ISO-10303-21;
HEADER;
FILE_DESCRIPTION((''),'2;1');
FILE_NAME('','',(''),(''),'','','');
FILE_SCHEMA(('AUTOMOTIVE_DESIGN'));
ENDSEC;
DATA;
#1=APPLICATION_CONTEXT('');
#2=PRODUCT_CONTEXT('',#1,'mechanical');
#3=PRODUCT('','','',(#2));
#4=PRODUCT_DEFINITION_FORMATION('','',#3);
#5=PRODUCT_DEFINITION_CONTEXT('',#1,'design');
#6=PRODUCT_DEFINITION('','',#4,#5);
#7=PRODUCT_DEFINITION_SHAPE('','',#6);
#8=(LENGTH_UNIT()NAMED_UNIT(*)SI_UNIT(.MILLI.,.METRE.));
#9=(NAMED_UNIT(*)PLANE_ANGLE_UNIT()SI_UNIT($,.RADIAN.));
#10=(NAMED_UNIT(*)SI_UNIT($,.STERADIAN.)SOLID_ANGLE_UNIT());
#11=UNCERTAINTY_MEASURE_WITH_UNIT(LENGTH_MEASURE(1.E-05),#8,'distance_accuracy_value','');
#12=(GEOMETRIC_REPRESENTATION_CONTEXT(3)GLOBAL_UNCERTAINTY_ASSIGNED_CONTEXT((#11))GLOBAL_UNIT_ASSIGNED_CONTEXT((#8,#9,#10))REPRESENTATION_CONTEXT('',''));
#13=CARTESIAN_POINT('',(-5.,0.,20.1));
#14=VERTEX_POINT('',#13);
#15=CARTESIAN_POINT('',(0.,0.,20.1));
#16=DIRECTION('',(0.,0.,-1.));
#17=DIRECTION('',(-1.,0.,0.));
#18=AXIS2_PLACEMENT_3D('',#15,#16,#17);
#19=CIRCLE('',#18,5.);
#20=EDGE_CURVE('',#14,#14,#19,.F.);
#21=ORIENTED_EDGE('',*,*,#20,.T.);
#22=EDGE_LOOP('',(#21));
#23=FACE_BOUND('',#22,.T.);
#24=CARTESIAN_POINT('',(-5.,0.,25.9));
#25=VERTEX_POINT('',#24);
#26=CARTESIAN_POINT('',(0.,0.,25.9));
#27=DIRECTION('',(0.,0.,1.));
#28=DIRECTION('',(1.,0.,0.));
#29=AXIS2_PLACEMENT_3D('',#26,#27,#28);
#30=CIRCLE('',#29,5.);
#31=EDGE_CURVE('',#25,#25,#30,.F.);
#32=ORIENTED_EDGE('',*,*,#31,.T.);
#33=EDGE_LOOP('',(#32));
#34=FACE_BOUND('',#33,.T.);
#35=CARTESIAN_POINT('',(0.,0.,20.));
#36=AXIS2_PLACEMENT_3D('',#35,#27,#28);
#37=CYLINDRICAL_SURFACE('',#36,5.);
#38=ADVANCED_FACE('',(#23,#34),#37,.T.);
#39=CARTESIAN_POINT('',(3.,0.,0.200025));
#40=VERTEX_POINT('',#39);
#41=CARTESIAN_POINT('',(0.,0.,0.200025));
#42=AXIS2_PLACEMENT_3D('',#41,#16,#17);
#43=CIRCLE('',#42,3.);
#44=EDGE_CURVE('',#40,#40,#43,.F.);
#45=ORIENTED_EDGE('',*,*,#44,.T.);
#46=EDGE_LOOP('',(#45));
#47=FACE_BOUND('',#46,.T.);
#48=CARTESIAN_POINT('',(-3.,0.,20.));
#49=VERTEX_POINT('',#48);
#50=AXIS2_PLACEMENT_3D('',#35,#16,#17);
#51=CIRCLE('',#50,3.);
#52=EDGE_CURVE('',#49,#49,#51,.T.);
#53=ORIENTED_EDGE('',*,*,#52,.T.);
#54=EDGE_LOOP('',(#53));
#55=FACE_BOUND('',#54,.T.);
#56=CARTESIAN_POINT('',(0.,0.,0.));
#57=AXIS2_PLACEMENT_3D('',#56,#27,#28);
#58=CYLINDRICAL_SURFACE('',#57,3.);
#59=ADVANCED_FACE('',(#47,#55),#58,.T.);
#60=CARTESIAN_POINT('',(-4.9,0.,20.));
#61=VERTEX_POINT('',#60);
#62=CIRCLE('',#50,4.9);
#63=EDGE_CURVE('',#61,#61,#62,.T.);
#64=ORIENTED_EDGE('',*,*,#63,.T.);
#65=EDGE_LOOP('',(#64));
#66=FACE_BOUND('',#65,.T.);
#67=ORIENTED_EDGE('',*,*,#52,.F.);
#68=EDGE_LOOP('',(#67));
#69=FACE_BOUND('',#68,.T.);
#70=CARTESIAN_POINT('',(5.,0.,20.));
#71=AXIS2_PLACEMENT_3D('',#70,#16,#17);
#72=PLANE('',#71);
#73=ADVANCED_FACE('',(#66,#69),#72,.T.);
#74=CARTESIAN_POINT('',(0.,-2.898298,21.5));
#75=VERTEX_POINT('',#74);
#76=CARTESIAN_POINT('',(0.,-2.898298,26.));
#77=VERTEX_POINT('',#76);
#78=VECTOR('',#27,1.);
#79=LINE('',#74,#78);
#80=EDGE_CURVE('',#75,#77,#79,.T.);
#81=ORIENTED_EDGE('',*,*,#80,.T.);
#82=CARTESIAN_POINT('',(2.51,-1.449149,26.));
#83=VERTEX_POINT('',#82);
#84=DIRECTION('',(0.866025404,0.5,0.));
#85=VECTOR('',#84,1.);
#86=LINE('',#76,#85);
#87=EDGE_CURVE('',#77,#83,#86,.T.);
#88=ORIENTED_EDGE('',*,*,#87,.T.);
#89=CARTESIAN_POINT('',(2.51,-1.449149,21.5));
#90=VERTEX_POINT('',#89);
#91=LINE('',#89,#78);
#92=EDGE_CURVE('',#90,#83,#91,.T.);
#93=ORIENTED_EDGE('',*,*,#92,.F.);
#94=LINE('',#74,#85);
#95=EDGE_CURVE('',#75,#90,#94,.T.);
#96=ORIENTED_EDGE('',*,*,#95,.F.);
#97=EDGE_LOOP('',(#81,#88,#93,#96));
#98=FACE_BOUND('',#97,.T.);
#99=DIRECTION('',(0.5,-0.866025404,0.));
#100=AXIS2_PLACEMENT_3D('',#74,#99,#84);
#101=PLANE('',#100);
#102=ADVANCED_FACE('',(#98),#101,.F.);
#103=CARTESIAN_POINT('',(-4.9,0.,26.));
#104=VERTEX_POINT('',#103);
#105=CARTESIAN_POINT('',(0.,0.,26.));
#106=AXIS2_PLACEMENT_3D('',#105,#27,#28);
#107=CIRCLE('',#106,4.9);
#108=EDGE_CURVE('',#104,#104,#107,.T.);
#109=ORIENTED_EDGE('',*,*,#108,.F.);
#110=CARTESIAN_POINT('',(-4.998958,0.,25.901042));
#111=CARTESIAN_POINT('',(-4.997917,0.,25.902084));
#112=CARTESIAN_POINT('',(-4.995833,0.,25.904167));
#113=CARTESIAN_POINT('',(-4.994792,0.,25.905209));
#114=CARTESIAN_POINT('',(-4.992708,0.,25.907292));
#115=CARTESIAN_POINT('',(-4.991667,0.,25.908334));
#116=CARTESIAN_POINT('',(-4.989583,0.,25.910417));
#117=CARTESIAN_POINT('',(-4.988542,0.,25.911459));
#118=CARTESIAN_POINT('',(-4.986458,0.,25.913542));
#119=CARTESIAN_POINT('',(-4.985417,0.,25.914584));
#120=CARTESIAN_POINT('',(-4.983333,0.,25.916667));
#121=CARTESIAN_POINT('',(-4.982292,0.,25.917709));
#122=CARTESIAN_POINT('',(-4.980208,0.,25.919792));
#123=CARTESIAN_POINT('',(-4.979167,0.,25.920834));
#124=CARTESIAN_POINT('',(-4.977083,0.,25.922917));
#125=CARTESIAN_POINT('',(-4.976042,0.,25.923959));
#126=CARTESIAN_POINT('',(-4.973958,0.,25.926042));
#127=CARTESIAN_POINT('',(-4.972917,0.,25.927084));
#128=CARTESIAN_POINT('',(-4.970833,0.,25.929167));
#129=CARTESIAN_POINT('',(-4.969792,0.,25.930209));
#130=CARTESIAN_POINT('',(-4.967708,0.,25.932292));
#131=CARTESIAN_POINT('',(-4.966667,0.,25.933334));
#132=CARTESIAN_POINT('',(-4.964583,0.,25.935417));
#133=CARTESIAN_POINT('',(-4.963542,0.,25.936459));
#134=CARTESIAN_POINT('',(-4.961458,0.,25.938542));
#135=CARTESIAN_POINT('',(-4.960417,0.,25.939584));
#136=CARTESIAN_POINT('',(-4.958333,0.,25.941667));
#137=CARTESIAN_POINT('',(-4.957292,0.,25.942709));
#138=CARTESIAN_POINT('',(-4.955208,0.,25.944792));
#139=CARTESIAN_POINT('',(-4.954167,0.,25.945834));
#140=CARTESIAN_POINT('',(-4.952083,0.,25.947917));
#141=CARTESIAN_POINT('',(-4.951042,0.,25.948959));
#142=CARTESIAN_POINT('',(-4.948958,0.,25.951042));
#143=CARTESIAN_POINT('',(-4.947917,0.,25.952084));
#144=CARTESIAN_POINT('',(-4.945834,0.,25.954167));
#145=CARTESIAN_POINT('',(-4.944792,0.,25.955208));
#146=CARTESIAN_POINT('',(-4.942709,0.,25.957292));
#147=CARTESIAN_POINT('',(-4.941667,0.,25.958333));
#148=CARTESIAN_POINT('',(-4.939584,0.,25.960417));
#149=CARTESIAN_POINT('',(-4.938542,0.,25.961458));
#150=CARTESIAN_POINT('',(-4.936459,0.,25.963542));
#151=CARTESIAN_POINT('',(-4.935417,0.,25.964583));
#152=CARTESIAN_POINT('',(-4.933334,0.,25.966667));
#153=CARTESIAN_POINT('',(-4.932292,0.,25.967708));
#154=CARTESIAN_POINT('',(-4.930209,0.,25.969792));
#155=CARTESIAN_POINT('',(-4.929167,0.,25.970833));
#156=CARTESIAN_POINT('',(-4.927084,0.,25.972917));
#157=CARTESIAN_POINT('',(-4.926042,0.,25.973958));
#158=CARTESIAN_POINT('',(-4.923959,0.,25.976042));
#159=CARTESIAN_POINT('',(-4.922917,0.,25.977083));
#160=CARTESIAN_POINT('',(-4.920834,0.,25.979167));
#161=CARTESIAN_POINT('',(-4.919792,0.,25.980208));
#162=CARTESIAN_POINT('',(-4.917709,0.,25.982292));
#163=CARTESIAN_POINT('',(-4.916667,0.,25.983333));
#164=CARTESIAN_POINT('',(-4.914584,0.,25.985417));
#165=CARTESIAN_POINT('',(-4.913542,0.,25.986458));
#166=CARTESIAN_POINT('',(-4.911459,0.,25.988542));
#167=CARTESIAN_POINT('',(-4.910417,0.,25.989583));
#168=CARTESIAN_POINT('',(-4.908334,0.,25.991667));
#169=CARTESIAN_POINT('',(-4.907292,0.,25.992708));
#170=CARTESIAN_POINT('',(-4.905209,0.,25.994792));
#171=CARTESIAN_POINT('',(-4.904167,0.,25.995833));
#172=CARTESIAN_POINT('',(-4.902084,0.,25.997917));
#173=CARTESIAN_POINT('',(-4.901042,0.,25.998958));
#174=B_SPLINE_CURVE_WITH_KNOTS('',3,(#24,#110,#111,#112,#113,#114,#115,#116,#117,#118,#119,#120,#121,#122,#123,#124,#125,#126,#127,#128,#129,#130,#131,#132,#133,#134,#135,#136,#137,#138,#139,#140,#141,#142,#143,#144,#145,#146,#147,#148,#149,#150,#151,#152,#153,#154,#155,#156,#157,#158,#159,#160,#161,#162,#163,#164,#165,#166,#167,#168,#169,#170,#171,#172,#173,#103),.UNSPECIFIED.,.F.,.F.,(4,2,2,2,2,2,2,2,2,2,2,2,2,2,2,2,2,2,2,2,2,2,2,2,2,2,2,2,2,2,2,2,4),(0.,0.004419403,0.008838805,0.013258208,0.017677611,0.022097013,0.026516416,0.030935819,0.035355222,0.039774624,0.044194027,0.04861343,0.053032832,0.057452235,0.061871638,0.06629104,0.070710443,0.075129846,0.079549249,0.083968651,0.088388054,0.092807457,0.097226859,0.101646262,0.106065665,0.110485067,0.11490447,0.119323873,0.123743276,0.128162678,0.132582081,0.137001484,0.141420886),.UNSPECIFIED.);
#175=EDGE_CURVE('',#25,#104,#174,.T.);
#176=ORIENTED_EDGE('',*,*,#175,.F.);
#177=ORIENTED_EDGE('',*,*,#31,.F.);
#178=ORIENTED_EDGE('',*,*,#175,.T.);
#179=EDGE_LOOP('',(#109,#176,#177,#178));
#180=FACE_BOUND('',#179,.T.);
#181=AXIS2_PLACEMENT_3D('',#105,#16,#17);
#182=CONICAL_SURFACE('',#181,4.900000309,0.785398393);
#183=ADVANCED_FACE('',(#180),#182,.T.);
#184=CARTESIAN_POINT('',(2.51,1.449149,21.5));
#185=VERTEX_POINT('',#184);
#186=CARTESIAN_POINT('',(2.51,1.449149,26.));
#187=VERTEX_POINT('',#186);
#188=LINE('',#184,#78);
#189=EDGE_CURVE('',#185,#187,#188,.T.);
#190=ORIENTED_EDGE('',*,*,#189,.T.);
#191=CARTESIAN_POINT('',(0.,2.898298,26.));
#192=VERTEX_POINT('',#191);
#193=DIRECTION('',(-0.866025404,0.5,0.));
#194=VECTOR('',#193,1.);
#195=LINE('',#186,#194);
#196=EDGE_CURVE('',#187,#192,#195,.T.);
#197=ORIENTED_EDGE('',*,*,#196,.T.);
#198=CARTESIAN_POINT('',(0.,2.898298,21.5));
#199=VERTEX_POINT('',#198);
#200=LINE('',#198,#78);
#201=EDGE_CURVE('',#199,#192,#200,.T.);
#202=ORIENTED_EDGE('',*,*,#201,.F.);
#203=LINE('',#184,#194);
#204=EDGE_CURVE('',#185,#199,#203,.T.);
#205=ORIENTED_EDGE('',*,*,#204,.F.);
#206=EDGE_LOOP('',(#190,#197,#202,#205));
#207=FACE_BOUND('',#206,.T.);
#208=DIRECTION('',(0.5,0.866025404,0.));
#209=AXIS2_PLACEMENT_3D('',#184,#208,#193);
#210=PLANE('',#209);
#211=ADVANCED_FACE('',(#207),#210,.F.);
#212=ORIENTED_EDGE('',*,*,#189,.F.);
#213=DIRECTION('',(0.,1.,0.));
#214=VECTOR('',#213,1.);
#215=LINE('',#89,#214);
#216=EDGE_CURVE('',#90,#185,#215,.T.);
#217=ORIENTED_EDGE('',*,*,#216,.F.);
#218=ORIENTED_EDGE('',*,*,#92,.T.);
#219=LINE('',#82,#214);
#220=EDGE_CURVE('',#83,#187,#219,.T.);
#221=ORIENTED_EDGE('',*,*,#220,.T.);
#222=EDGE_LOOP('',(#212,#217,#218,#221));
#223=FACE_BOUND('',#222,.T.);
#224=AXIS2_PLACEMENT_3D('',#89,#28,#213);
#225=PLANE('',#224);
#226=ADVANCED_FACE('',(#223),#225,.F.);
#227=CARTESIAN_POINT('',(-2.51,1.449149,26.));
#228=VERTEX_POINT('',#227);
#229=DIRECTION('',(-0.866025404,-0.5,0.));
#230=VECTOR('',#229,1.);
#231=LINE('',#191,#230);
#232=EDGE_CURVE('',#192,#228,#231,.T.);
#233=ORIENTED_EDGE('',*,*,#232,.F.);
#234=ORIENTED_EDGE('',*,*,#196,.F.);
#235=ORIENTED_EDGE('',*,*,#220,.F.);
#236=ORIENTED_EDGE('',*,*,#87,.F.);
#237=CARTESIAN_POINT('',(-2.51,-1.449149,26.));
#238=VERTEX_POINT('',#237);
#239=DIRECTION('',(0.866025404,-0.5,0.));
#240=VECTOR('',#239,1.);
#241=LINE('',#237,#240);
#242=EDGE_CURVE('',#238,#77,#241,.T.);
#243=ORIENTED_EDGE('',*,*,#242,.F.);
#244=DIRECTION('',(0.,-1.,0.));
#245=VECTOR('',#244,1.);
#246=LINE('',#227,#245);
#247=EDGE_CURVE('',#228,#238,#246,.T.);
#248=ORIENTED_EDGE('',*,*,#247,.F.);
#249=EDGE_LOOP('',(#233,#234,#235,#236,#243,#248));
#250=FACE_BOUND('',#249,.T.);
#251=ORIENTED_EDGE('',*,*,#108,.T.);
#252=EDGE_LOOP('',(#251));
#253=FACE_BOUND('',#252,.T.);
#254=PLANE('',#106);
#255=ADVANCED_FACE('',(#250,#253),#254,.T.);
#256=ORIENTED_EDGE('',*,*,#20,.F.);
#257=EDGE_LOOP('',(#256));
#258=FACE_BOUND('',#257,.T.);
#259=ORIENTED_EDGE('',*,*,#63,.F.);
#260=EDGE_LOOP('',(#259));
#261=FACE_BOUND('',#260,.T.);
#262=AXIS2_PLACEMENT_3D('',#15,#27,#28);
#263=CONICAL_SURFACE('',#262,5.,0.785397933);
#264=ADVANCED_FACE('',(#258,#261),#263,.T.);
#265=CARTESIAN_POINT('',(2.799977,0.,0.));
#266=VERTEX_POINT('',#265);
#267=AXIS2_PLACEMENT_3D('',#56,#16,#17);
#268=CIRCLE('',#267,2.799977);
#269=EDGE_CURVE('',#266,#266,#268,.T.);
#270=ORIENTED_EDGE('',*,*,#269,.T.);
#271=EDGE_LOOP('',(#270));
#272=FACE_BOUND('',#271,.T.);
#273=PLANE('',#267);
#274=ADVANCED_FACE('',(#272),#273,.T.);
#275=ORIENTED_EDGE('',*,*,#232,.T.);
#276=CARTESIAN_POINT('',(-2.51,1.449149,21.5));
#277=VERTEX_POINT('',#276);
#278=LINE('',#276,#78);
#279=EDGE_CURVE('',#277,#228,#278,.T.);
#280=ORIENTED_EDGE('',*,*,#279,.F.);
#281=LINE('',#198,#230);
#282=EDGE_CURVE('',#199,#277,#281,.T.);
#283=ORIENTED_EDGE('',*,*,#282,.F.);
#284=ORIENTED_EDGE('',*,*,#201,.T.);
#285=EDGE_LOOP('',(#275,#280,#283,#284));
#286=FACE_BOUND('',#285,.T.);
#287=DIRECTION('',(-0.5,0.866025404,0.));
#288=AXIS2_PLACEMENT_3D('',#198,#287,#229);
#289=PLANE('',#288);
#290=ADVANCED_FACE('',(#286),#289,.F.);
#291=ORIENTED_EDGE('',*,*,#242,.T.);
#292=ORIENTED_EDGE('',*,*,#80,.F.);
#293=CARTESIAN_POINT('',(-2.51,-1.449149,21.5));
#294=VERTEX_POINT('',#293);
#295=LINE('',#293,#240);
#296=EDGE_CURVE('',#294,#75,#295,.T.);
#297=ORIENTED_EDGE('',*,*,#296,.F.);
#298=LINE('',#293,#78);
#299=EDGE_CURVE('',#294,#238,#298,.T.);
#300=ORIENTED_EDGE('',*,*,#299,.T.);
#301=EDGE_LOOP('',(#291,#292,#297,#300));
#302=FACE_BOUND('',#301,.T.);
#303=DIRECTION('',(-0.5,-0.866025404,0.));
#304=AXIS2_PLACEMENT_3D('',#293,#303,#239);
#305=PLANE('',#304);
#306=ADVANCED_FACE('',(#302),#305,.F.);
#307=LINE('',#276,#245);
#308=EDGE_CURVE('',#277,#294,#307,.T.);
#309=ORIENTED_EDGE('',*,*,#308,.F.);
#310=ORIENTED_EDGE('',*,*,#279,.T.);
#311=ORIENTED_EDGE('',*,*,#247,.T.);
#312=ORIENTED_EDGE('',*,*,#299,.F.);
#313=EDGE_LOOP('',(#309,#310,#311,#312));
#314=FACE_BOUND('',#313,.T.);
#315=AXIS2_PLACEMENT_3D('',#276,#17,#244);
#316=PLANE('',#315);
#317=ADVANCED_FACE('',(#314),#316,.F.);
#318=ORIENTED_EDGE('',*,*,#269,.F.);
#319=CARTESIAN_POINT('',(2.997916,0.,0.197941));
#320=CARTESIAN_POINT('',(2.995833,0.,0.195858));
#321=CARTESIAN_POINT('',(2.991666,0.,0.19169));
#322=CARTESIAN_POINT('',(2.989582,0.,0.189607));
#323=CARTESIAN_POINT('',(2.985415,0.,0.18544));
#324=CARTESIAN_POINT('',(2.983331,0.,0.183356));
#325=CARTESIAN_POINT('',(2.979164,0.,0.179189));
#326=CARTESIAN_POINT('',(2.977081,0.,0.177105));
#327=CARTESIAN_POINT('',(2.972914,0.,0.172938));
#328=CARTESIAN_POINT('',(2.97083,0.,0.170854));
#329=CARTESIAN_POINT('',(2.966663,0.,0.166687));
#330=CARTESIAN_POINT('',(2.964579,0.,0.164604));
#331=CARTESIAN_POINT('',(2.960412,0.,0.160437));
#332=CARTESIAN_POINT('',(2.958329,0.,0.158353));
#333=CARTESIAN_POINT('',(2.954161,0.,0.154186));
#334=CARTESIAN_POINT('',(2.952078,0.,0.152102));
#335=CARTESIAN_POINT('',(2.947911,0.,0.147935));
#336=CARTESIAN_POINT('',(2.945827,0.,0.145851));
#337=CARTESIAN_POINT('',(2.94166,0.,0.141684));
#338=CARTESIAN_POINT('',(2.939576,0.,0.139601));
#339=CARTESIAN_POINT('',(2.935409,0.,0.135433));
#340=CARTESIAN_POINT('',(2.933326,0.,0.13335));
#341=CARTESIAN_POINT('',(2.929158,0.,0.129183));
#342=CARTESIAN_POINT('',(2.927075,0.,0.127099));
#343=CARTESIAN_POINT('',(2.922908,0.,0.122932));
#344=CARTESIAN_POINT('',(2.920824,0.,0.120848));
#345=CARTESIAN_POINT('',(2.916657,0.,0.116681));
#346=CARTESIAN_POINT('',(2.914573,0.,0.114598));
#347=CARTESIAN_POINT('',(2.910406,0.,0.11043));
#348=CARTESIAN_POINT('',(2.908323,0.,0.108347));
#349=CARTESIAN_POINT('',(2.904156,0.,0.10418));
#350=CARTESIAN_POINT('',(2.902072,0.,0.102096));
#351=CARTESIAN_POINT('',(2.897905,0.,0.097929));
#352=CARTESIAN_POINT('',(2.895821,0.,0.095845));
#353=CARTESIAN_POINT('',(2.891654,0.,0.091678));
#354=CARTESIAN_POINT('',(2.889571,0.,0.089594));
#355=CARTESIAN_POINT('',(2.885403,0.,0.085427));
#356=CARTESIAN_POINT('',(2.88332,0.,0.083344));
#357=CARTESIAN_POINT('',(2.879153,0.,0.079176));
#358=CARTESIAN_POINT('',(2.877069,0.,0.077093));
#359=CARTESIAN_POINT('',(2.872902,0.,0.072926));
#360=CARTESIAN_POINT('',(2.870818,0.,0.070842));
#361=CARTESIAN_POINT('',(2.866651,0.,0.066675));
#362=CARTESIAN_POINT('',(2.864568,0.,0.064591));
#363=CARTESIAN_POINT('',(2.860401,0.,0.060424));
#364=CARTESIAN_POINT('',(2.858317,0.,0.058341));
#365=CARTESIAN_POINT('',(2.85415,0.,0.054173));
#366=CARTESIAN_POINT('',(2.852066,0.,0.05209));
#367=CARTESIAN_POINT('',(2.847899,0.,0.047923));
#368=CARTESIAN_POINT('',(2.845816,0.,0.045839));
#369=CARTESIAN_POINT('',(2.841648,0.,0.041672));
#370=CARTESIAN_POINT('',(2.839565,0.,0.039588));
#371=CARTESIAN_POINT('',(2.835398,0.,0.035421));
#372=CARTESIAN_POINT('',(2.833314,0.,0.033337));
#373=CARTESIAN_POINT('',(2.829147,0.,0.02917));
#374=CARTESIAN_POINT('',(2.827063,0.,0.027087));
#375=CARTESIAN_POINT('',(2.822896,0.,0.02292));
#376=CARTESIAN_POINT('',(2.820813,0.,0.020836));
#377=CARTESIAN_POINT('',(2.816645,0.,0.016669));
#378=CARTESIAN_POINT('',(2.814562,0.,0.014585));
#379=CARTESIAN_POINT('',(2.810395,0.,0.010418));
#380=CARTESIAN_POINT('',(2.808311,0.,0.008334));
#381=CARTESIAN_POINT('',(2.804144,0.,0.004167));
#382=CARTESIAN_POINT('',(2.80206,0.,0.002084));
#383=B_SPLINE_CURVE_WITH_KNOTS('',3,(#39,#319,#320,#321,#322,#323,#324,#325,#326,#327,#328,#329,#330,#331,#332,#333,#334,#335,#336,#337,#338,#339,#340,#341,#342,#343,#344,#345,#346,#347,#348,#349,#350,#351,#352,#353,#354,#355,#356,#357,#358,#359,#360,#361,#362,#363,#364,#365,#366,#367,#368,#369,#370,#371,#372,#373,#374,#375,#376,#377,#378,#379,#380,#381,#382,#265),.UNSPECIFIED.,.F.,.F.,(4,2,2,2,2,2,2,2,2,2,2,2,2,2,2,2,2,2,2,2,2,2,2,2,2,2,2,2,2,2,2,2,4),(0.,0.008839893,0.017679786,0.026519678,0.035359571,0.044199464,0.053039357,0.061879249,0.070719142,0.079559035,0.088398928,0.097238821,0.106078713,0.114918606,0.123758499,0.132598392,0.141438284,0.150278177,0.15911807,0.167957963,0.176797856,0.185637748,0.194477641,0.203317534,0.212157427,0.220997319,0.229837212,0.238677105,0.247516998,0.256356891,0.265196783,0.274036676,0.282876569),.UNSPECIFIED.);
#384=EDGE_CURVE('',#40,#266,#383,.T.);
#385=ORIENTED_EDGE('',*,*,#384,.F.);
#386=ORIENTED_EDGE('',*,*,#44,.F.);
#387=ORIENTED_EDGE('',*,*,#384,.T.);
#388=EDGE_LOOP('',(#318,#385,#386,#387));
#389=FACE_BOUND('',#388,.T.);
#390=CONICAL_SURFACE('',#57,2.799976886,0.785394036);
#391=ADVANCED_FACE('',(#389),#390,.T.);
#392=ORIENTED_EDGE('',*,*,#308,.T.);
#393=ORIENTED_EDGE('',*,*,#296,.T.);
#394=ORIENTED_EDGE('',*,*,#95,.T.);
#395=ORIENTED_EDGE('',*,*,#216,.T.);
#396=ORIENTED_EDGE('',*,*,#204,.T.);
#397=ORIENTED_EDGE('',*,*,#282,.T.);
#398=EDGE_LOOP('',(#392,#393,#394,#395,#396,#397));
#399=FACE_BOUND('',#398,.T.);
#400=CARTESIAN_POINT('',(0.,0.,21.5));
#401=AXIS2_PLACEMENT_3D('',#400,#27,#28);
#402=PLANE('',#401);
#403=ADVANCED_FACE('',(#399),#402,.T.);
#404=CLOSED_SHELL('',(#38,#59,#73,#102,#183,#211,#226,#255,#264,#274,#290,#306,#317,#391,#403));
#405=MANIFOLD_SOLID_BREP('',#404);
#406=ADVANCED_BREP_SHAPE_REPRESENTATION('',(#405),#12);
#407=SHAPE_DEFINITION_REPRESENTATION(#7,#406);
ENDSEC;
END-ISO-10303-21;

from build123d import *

# Parameters (mm, degrees)
SKETCH_1_W          = 5
SKETCH_1_H          = 6
SKETCH_2_R          = 3
EXTRUDE_1_DEPTH     = 20
CUT_EXTRUDE_1_DEPTH = 4.5
CHAMFER_1_SIZE2     = 0.099999645
CHAMFER_1_SIZE      = 0.099999691
CHAMFER_2_SIZE      = 0.200023114
CHAMFER_2_SIZE2     = 0.200024766


with BuildPart() as part:
    # 草图1 → 旋转1 (revolve)
    with BuildSketch(Plane(origin=(0, 0, 0), x_dir=(1, 0, 0), z_dir=(0, 1, 0))):
        with Locations((2.5, -23)):
            Rectangle(SKETCH_1_W, SKETCH_1_H)
    revolve(axis=Axis((0, 0, 20), (0, 0, 1)))

    # 草图2 → 凸台-拉伸1 (add)
    with BuildSketch(Plane(origin=(0, 0, 20), x_dir=(-1, 0, 0), z_dir=(0, 0, -1))):
        Circle(SKETCH_2_R)
    extrude(amount=EXTRUDE_1_DEPTH)

    # 草图3 → 切除-拉伸1 (cut)
    with BuildSketch(Plane.XY.offset(26)):
        Polygon((-2.51, -1.449149176), (0, -2.898298351), (2.51, -1.449149176), (2.51, 1.449149176), (0, 2.898298351), (-2.51, 1.449149176), align=None)
    extrude(amount=-CUT_EXTRUDE_1_DEPTH, mode=Mode.SUBTRACT)

    # 倒角1
    chamfer_1_edges = [part.edges().sort_by_distance(p)[0] for p in [
        (-5, 0, 26),
        (-5, 0, 20),
    ]]
    chamfer(chamfer_1_edges, length=CHAMFER_1_SIZE, length2=CHAMFER_1_SIZE2)

    # 倒角2
    chamfer_2_edges = [part.edges().sort_by_distance(p)[0] for p in [
        (3, 0, 0),
    ]]
    chamfer_2_side = [part.faces().sort_by_distance(p)[0] for p in [
        (3, 0, 10),
    ]]
    chamfer(chamfer_2_edges, length=CHAMFER_2_SIZE, length2=CHAMFER_2_SIZE2, reference=chamfer_2_side[0])


solid = part.part
